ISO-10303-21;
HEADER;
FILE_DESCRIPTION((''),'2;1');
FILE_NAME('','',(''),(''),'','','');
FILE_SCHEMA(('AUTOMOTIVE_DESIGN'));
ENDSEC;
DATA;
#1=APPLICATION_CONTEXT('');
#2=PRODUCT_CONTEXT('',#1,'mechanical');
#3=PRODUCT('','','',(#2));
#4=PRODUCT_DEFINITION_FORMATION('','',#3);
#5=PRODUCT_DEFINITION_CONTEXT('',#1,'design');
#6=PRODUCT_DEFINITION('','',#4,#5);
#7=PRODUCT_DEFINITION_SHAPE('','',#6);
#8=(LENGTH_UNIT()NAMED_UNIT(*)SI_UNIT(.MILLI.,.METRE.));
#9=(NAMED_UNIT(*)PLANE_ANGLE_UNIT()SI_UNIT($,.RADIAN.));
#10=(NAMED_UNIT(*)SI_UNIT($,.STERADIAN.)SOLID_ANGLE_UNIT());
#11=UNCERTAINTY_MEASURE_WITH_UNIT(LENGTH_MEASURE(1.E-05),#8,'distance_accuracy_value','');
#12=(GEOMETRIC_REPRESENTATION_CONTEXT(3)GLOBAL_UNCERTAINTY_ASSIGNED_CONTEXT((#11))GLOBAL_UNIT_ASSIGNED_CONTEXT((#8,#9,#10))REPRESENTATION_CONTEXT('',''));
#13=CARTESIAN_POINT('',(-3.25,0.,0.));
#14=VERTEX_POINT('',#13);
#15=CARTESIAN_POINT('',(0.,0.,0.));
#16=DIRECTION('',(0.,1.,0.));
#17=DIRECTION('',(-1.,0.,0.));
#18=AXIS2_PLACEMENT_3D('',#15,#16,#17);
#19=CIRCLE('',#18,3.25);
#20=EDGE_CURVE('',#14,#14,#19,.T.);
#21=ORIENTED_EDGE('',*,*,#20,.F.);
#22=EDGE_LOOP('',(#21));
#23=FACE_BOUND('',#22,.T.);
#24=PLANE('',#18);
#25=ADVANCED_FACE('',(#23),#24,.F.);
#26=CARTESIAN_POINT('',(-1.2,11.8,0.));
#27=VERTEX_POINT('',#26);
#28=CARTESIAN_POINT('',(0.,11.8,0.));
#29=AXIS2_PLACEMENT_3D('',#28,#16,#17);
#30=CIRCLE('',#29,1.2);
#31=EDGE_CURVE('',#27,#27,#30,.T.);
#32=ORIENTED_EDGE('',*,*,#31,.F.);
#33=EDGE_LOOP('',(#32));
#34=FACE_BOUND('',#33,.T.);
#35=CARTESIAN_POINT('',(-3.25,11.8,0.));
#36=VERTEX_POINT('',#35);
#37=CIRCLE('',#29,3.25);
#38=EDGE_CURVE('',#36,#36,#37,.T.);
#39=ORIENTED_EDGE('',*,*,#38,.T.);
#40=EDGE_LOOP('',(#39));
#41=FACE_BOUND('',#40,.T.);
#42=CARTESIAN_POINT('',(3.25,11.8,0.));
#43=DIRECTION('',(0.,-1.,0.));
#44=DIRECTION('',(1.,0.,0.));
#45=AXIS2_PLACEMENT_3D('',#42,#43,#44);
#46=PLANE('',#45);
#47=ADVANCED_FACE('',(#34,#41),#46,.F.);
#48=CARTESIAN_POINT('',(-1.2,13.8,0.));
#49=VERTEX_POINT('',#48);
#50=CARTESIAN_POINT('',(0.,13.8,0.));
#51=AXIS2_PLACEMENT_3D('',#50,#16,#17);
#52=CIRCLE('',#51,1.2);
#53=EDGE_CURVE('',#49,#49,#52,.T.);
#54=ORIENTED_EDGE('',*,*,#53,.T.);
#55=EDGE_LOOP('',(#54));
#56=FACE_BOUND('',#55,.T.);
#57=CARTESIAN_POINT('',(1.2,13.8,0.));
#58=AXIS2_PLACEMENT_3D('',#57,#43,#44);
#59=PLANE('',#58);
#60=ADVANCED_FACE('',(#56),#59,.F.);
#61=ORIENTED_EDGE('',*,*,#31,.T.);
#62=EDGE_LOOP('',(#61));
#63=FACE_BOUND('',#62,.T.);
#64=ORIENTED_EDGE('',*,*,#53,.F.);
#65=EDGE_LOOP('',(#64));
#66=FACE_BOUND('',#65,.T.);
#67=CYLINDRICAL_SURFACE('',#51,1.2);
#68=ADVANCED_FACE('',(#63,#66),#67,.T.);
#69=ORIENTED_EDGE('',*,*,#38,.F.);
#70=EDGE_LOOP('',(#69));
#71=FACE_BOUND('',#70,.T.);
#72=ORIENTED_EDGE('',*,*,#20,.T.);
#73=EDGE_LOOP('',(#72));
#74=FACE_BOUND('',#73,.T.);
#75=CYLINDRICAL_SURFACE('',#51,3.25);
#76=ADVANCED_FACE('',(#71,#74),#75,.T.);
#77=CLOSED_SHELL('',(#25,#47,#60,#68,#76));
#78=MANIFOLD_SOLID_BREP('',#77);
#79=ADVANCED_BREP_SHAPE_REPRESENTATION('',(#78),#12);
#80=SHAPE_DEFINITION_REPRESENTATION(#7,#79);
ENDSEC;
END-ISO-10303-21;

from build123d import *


with BuildPart() as part:
    # Sketch1 → Revolve1 (revolve)
    with BuildSketch(Plane.XY, mode=Mode.PRIVATE) as revolve1_sk:
        Polygon((0, 0), (3.25, 0), (3.25, 11.8), (1.2, 11.8), (1.2, 13.8), (0, 13.8), align=None)
    revolve(revolve1_sk.sketch.rotate(Axis((0, 13.8, 0), (0, -1, 0)), 180), axis=Axis((0, 13.8, 0), (0, -1, 0)))


solid = part.part
